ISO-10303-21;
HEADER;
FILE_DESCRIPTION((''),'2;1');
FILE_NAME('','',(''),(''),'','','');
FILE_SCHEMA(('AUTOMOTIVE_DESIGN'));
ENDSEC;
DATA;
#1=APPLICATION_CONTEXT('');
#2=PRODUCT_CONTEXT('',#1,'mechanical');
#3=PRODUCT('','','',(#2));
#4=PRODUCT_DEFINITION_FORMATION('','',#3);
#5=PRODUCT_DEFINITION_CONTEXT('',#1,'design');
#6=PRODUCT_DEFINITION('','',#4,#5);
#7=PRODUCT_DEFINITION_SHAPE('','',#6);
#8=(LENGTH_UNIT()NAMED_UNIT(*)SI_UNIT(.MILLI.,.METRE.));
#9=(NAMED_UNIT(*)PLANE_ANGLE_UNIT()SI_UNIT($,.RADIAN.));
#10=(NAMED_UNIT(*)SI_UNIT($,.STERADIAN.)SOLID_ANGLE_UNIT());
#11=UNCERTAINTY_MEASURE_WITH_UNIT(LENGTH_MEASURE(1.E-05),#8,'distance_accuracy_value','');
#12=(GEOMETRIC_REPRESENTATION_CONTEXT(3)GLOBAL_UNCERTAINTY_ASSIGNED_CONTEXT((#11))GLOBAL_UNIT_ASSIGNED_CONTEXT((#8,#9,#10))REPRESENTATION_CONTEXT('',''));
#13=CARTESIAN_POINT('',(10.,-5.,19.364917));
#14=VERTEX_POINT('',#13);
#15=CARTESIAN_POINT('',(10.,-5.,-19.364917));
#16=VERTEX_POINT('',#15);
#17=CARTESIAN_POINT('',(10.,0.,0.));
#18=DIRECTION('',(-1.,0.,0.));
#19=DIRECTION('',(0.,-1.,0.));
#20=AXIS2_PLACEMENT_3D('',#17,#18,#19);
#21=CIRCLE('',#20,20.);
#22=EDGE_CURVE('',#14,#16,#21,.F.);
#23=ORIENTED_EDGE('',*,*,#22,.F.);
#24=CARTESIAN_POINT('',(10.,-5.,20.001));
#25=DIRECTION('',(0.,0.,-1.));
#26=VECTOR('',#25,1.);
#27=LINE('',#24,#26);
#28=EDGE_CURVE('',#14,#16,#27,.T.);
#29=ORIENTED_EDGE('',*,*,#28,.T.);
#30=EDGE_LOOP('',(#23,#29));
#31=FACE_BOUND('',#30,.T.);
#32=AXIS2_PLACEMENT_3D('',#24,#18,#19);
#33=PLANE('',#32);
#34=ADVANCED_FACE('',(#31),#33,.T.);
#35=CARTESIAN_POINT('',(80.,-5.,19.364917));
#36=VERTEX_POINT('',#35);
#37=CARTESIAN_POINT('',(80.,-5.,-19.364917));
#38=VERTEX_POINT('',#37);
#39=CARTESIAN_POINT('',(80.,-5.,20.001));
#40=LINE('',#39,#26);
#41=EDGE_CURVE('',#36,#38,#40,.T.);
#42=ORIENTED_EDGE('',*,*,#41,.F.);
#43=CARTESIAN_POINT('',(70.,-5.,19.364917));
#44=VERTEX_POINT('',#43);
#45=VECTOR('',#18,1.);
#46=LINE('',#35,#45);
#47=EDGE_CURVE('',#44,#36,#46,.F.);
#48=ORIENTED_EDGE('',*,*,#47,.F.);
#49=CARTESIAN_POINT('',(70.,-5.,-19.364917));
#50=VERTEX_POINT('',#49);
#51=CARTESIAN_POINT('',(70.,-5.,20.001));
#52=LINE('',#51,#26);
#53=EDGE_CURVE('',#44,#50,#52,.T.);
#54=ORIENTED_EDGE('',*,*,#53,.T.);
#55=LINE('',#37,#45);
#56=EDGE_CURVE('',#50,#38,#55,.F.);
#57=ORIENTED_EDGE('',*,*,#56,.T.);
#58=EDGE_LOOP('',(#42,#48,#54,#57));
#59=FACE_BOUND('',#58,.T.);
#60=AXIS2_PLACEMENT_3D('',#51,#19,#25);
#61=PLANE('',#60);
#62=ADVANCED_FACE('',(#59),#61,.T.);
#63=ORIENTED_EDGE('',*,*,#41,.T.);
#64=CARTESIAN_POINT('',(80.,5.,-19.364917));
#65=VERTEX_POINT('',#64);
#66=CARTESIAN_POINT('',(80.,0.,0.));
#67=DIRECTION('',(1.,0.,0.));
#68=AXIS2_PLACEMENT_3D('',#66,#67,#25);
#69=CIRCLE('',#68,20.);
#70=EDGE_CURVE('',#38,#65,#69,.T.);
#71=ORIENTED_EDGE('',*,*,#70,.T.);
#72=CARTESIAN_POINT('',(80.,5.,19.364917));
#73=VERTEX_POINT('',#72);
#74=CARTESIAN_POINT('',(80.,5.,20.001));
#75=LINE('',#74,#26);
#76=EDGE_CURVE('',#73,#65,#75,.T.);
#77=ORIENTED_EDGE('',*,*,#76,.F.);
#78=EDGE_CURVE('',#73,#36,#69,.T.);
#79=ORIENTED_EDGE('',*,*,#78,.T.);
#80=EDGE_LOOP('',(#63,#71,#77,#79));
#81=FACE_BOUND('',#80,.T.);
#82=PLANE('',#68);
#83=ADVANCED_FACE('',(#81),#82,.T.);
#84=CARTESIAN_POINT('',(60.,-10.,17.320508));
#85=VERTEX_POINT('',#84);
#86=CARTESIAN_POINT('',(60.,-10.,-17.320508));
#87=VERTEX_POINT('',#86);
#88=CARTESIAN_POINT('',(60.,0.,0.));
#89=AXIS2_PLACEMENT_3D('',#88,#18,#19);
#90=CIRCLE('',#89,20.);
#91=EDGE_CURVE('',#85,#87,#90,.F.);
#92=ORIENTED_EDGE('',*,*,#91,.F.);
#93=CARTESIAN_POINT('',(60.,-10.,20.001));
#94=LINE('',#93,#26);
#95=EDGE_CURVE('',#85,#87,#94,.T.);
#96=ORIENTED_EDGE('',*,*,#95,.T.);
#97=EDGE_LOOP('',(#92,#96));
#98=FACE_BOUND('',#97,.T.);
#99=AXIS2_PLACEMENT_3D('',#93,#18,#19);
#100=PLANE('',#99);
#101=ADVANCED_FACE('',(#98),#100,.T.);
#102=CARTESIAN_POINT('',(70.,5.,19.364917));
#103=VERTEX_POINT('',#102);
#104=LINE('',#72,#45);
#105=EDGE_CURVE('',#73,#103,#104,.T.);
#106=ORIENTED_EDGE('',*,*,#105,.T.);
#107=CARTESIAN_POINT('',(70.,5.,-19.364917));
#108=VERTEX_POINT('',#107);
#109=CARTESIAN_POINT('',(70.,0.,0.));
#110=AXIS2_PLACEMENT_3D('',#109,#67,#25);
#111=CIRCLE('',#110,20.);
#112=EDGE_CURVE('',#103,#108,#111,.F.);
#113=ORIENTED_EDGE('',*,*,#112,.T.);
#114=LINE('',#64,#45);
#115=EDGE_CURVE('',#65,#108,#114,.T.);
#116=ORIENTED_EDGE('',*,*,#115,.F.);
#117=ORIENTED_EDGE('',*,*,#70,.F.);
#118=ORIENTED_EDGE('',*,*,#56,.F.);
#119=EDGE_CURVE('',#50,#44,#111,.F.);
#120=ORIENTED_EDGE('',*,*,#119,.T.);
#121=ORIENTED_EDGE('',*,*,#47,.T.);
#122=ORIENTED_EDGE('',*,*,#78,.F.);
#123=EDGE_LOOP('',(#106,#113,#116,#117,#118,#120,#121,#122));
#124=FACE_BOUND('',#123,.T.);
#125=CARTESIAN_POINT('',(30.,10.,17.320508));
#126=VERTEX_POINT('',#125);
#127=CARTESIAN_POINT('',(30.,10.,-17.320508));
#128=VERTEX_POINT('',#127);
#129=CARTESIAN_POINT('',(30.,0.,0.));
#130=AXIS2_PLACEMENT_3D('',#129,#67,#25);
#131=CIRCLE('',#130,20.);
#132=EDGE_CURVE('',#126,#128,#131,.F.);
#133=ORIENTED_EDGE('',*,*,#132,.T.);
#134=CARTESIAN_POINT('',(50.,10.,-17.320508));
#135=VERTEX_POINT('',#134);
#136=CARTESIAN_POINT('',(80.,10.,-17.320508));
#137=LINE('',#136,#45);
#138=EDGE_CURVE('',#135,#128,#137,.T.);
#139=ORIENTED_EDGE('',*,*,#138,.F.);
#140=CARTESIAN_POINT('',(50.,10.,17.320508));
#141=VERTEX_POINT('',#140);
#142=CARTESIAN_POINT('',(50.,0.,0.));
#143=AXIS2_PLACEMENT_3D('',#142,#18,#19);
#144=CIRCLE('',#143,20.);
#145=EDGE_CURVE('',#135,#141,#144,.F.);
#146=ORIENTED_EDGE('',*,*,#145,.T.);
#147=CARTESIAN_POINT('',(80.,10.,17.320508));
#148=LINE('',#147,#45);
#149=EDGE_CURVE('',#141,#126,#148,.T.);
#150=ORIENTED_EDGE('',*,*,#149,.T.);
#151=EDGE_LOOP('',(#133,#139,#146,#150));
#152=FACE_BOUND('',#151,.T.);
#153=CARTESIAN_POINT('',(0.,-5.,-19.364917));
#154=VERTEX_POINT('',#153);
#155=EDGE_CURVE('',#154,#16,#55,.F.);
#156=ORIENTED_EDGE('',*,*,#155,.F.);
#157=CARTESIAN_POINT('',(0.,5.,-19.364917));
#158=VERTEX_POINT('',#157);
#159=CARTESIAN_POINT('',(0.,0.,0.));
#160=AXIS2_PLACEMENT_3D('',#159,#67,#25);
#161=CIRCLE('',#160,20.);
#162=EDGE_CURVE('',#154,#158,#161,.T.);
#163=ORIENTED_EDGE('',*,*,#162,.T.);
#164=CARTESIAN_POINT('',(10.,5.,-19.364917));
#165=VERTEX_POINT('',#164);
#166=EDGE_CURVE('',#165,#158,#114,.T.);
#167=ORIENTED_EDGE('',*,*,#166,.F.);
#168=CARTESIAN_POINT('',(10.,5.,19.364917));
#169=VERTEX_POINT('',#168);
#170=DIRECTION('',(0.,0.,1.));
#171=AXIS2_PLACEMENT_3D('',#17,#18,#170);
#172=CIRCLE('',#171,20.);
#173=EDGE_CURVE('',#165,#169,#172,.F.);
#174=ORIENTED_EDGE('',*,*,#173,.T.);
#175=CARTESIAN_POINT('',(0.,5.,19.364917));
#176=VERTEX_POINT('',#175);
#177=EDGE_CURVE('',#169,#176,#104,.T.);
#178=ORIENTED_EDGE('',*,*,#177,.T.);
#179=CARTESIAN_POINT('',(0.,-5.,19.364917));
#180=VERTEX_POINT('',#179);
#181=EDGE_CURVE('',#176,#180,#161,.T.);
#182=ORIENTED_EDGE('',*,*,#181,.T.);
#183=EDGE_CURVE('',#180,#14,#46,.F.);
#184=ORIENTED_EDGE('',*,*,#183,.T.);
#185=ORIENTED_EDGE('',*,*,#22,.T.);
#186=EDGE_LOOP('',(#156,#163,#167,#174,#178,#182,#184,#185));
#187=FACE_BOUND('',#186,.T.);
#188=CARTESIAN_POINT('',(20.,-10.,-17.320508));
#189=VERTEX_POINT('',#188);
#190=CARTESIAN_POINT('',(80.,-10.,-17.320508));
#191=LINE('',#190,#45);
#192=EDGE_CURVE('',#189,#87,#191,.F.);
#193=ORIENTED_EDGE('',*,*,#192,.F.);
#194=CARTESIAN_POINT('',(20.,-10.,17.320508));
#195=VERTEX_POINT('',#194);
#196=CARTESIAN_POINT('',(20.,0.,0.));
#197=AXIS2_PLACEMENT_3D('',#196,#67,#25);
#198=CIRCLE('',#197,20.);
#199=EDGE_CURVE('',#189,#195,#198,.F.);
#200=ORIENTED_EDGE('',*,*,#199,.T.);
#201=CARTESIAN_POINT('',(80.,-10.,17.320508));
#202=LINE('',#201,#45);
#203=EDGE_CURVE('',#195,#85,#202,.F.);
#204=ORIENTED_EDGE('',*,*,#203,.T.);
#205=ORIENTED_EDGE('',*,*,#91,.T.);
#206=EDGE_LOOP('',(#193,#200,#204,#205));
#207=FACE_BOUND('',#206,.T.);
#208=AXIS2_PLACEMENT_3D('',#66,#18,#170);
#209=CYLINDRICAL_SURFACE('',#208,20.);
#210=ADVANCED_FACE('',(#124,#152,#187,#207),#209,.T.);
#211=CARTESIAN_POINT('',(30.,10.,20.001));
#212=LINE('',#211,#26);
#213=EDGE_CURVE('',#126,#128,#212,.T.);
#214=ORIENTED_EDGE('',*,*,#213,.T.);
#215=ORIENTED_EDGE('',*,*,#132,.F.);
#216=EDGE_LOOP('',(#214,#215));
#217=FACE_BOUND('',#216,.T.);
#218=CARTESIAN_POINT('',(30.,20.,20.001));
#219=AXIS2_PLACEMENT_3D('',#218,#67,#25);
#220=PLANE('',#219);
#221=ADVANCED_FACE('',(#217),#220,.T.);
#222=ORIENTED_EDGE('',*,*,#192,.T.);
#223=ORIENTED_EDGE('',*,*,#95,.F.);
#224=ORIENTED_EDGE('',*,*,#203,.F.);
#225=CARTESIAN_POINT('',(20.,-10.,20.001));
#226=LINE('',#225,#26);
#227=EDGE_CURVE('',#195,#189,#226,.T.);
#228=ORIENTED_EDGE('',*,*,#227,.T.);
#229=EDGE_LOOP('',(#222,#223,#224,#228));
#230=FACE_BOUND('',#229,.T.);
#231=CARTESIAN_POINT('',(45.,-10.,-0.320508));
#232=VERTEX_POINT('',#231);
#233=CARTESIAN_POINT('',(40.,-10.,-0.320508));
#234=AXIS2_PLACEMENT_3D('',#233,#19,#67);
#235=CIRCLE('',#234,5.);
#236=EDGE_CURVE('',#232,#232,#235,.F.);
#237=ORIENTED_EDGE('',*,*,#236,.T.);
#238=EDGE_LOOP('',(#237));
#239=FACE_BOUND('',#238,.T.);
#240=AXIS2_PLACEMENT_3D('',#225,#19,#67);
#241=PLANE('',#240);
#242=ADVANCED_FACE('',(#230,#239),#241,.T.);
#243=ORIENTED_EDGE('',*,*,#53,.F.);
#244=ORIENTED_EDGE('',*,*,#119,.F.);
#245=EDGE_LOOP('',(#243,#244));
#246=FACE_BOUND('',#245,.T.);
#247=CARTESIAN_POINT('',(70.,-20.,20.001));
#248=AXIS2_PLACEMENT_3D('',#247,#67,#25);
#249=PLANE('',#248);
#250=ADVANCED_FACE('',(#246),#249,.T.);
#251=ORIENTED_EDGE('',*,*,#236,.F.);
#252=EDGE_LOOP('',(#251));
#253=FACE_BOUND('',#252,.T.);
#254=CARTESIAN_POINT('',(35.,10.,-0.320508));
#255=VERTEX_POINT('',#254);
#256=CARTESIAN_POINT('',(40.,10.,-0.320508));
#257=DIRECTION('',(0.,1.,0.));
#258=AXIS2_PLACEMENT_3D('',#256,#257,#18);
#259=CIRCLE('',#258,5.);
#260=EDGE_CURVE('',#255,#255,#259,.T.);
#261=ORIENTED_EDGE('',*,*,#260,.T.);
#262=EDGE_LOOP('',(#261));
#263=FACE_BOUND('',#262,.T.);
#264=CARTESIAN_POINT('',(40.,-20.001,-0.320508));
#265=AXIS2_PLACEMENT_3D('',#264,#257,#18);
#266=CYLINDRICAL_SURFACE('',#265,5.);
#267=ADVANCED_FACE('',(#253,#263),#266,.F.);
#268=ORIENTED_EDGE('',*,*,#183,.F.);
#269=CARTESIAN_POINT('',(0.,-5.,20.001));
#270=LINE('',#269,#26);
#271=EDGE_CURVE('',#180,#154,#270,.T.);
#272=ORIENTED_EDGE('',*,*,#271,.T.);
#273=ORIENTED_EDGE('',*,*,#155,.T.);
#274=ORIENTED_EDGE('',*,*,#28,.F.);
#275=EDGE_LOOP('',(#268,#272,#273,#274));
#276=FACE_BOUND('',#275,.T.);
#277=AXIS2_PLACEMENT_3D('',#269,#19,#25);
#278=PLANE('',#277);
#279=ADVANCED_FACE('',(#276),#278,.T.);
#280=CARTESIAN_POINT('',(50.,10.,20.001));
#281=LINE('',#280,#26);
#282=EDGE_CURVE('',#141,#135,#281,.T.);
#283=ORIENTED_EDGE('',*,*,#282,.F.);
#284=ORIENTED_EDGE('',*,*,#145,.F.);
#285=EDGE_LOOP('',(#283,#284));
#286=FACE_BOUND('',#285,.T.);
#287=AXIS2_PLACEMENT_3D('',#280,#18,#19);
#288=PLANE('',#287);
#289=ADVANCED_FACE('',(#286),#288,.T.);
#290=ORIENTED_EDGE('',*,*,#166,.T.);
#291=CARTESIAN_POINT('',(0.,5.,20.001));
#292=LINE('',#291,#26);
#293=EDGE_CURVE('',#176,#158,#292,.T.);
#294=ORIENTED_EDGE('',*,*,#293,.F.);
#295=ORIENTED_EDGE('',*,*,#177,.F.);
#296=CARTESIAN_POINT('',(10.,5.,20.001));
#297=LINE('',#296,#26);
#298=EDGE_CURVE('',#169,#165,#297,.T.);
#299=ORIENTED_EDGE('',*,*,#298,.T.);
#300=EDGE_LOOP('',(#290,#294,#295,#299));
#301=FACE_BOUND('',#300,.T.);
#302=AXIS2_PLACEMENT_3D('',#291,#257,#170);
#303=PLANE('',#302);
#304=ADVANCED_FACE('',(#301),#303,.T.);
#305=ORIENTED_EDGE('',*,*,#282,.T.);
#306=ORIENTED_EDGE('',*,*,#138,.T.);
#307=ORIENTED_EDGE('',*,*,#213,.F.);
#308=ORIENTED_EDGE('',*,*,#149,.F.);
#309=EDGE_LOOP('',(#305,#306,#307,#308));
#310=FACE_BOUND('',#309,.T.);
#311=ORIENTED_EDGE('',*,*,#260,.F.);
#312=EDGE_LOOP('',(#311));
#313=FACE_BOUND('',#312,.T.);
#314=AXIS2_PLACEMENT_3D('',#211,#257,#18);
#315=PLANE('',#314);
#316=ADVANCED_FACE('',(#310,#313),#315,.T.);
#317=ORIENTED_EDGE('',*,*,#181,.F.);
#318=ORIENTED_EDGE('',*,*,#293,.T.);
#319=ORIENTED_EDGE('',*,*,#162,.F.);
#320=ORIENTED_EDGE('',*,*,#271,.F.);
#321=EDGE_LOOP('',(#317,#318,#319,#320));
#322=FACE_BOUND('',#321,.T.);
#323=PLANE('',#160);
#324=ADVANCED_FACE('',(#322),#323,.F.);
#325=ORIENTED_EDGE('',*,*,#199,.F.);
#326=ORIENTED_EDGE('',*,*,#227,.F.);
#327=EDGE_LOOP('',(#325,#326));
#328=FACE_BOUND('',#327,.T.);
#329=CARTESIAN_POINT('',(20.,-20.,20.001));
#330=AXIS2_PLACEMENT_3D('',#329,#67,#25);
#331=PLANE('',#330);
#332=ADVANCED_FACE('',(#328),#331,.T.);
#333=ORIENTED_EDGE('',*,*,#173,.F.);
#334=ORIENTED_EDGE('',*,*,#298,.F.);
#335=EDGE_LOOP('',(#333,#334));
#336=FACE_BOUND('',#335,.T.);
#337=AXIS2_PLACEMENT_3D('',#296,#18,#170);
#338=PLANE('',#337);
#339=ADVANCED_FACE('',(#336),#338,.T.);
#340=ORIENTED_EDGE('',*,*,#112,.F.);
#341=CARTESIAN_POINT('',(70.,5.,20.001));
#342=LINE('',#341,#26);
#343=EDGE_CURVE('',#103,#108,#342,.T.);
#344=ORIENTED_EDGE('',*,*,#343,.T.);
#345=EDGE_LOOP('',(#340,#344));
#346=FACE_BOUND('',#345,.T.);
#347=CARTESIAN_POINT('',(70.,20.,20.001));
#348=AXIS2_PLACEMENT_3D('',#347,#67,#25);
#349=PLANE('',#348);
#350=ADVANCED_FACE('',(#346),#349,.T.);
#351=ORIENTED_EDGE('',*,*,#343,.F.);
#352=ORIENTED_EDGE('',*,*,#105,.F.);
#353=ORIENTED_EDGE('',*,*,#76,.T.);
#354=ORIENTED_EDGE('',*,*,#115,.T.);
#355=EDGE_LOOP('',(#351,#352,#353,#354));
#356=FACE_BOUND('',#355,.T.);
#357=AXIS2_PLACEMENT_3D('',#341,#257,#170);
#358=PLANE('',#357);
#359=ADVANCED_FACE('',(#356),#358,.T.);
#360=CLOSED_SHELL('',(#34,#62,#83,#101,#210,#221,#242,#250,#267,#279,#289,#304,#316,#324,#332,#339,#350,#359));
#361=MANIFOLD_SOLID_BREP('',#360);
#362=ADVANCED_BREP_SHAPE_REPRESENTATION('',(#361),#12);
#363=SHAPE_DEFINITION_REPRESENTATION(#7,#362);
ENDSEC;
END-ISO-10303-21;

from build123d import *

# Parameters (mm, degrees)
SKETCH1_R                           = 20
BOSS_EXTRUDE1_DEPTH                 = 80
CUT_EXTRUDE1_REACH                  = 86.853
CUT_EXTRUDE1_END_RADIUS             = 20
SKETCH2_W                           = 20
SKETCH2_H                           = 10
SKETCH2_W_2                         = 10
SKETCH2_H_2                         = 15
SKETCH2_W_3                         = 40
CUT_EXTRUDE1_DIRECTION_2_REACH      = 86.853
CUT_EXTRUDE1_DIRECTION_2_END_RADIUS = 20
CUT_EXTRUDE2_REACH                  = 89.75
SKETCH3_R                           = 5


with BuildPart() as part:
    # Sketch1 → Boss-Extrude1 (new body)
    with BuildSketch(Plane(origin=(0, 0, 0), x_dir=(0, 0, -1), z_dir=(1, 0, 0))):
        Circle(SKETCH1_R)
    extrude(amount=BOSS_EXTRUDE1_DEPTH)

    # Cut-Extrude1: up to this cylinder (the profile starts inside it)
    cut_extrude1_end = Plane(origin=(40, 0, 0), z_dir=(-1, 0, 0)) * Cylinder(CUT_EXTRUDE1_END_RADIUS, 284.706, mode=Mode.PRIVATE)
    # Sketch2 → Cut-Extrude1 (cut, up to the surface)
    with BuildSketch(Plane.XY, mode=Mode.PRIVATE) as cut_extrude1_sk1:
        with Locations((40, 15)):
            Rectangle(SKETCH2_W, SKETCH2_H)
    cut_extrude1_tool1 = extrude(cut_extrude1_sk1.sketch, amount=-CUT_EXTRUDE1_REACH, mode=Mode.PRIVATE) & cut_extrude1_end
    add(cut_extrude1_tool1.solids().sort_by_distance((40, 15, 0))[0], mode=Mode.SUBTRACT)
    # Sketch2 → Cut-Extrude1 (cut, up to the surface)
    with BuildSketch(Plane.XY, mode=Mode.PRIVATE) as cut_extrude1_sk2:
        with Locations((5, 12.5)):
            Rectangle(SKETCH2_W_2, SKETCH2_H_2)
    cut_extrude1_tool2 = extrude(cut_extrude1_sk2.sketch, amount=-CUT_EXTRUDE1_REACH, mode=Mode.PRIVATE) & cut_extrude1_end
    add(cut_extrude1_tool2.solids().sort_by_distance((5, 12.5, 0))[0], mode=Mode.SUBTRACT)
    # Sketch2 → Cut-Extrude1 (cut, up to the surface)
    with BuildSketch(Plane.XY, mode=Mode.PRIVATE) as cut_extrude1_sk3:
        with Locations((5, -12.5)):
            Rectangle(SKETCH2_W_2, SKETCH2_H_2)
    cut_extrude1_tool3 = extrude(cut_extrude1_sk3.sketch, amount=-CUT_EXTRUDE1_REACH, mode=Mode.PRIVATE) & cut_extrude1_end
    add(cut_extrude1_tool3.solids().sort_by_distance((5, -12.5, 0))[0], mode=Mode.SUBTRACT)
    # Sketch2 → Cut-Extrude1 (cut, up to the surface)
    with BuildSketch(Plane.XY, mode=Mode.PRIVATE) as cut_extrude1_sk4:
        with Locations((75, 12.5)):
            Rectangle(SKETCH2_W_2, SKETCH2_H_2)
    cut_extrude1_tool4 = extrude(cut_extrude1_sk4.sketch, amount=-CUT_EXTRUDE1_REACH, mode=Mode.PRIVATE) & cut_extrude1_end
    add(cut_extrude1_tool4.solids().sort_by_distance((75, 12.5, 0))[0], mode=Mode.SUBTRACT)
    # Sketch2 → Cut-Extrude1 (cut, up to the surface)
    with BuildSketch(Plane.XY, mode=Mode.PRIVATE) as cut_extrude1_sk5:
        with Locations((75, -12.5)):
            Rectangle(SKETCH2_W_2, SKETCH2_H_2)
    cut_extrude1_tool5 = extrude(cut_extrude1_sk5.sketch, amount=-CUT_EXTRUDE1_REACH, mode=Mode.PRIVATE) & cut_extrude1_end
    add(cut_extrude1_tool5.solids().sort_by_distance((75, -12.5, 0))[0], mode=Mode.SUBTRACT)
    # Sketch2 → Cut-Extrude1 (cut, up to the surface)
    with BuildSketch(Plane.XY, mode=Mode.PRIVATE) as cut_extrude1_sk6:
        with Locations((40, -15)):
            Rectangle(SKETCH2_W_3, SKETCH2_H)
    cut_extrude1_tool6 = extrude(cut_extrude1_sk6.sketch, amount=-CUT_EXTRUDE1_REACH, mode=Mode.PRIVATE) & cut_extrude1_end
    add(cut_extrude1_tool6.solids().sort_by_distance((40, -15, 0))[0], mode=Mode.SUBTRACT)

    # Cut-Extrude1 direction 2: up to this cylinder (the profile starts inside it)
    cut_extrude1_direction_2_end = Plane(origin=(40, 0, 0), z_dir=(-1, 0, 0)) * Cylinder(CUT_EXTRUDE1_DIRECTION_2_END_RADIUS, 284.706, mode=Mode.PRIVATE)
    # Sketch2 → Cut-Extrude1 direction 2 (cut, up to the surface)
    with BuildSketch(Plane.XY, mode=Mode.PRIVATE) as cut_extrude1_direction_2_sk1:
        with Locations((40, 15)):
            Rectangle(SKETCH2_W, SKETCH2_H)
    cut_extrude1_direction_2_tool1 = extrude(cut_extrude1_direction_2_sk1.sketch, amount=CUT_EXTRUDE1_DIRECTION_2_REACH, mode=Mode.PRIVATE) & cut_extrude1_direction_2_end
    add(cut_extrude1_direction_2_tool1.solids().sort_by_distance((40, 15, 0))[0], mode=Mode.SUBTRACT)
    # Sketch2 → Cut-Extrude1 direction 2 (cut, up to the surface)
    with BuildSketch(Plane.XY, mode=Mode.PRIVATE) as cut_extrude1_direction_2_sk2:
        with Locations((5, 12.5)):
            Rectangle(SKETCH2_W_2, SKETCH2_H_2)
    cut_extrude1_direction_2_tool2 = extrude(cut_extrude1_direction_2_sk2.sketch, amount=CUT_EXTRUDE1_DIRECTION_2_REACH, mode=Mode.PRIVATE) & cut_extrude1_direction_2_end
    add(cut_extrude1_direction_2_tool2.solids().sort_by_distance((5, 12.5, 0))[0], mode=Mode.SUBTRACT)
    # Sketch2 → Cut-Extrude1 direction 2 (cut, up to the surface)
    with BuildSketch(Plane.XY, mode=Mode.PRIVATE) as cut_extrude1_direction_2_sk3:
        with Locations((5, -12.5)):
            Rectangle(SKETCH2_W_2, SKETCH2_H_2)
    cut_extrude1_direction_2_tool3 = extrude(cut_extrude1_direction_2_sk3.sketch, amount=CUT_EXTRUDE1_DIRECTION_2_REACH, mode=Mode.PRIVATE) & cut_extrude1_direction_2_end
    add(cut_extrude1_direction_2_tool3.solids().sort_by_distance((5, -12.5, 0))[0], mode=Mode.SUBTRACT)
    # Sketch2 → Cut-Extrude1 direction 2 (cut, up to the surface)
    with BuildSketch(Plane.XY, mode=Mode.PRIVATE) as cut_extrude1_direction_2_sk4:
        with Locations((75, 12.5)):
            Rectangle(SKETCH2_W_2, SKETCH2_H_2)
    cut_extrude1_direction_2_tool4 = extrude(cut_extrude1_direction_2_sk4.sketch, amount=CUT_EXTRUDE1_DIRECTION_2_REACH, mode=Mode.PRIVATE) & cut_extrude1_direction_2_end
    add(cut_extrude1_direction_2_tool4.solids().sort_by_distance((75, 12.5, 0))[0], mode=Mode.SUBTRACT)
    # Sketch2 → Cut-Extrude1 direction 2 (cut, up to the surface)
    with BuildSketch(Plane.XY, mode=Mode.PRIVATE) as cut_extrude1_direction_2_sk5:
        with Locations((75, -12.5)):
            Rectangle(SKETCH2_W_2, SKETCH2_H_2)
    cut_extrude1_direction_2_tool5 = extrude(cut_extrude1_direction_2_sk5.sketch, amount=CUT_EXTRUDE1_DIRECTION_2_REACH, mode=Mode.PRIVATE) & cut_extrude1_direction_2_end
    add(cut_extrude1_direction_2_tool5.solids().sort_by_distance((75, -12.5, 0))[0], mode=Mode.SUBTRACT)
    # Sketch2 → Cut-Extrude1 direction 2 (cut, up to the surface)
    with BuildSketch(Plane.XY, mode=Mode.PRIVATE) as cut_extrude1_direction_2_sk6:
        with Locations((40, -15)):
            Rectangle(SKETCH2_W_3, SKETCH2_H)
    cut_extrude1_direction_2_tool6 = extrude(cut_extrude1_direction_2_sk6.sketch, amount=CUT_EXTRUDE1_DIRECTION_2_REACH, mode=Mode.PRIVATE) & cut_extrude1_direction_2_end
    add(cut_extrude1_direction_2_tool6.solids().sort_by_distance((40, -15, 0))[0], mode=Mode.SUBTRACT)

    # Sketch3 → Cut-Extrude2 (cut, up to next)
    with BuildSketch(Plane(origin=(0, 10, 0), x_dir=(1, 0, 0), z_dir=(0, 1, 0)), mode=Mode.PRIVATE) as cut_extrude2_sk1:
        with Locations(Location((40, 0.320508076, 0), (0, 0, 180))):
            Circle(SKETCH3_R)
    cut_extrude2_tool1 = extrude(cut_extrude2_sk1.sketch, amount=-CUT_EXTRUDE2_REACH, mode=Mode.PRIVATE) & part.part
    add(cut_extrude2_tool1.solids().sort_by_distance((40, 10, -0.320508))[0], mode=Mode.SUBTRACT)


solid = part.part
